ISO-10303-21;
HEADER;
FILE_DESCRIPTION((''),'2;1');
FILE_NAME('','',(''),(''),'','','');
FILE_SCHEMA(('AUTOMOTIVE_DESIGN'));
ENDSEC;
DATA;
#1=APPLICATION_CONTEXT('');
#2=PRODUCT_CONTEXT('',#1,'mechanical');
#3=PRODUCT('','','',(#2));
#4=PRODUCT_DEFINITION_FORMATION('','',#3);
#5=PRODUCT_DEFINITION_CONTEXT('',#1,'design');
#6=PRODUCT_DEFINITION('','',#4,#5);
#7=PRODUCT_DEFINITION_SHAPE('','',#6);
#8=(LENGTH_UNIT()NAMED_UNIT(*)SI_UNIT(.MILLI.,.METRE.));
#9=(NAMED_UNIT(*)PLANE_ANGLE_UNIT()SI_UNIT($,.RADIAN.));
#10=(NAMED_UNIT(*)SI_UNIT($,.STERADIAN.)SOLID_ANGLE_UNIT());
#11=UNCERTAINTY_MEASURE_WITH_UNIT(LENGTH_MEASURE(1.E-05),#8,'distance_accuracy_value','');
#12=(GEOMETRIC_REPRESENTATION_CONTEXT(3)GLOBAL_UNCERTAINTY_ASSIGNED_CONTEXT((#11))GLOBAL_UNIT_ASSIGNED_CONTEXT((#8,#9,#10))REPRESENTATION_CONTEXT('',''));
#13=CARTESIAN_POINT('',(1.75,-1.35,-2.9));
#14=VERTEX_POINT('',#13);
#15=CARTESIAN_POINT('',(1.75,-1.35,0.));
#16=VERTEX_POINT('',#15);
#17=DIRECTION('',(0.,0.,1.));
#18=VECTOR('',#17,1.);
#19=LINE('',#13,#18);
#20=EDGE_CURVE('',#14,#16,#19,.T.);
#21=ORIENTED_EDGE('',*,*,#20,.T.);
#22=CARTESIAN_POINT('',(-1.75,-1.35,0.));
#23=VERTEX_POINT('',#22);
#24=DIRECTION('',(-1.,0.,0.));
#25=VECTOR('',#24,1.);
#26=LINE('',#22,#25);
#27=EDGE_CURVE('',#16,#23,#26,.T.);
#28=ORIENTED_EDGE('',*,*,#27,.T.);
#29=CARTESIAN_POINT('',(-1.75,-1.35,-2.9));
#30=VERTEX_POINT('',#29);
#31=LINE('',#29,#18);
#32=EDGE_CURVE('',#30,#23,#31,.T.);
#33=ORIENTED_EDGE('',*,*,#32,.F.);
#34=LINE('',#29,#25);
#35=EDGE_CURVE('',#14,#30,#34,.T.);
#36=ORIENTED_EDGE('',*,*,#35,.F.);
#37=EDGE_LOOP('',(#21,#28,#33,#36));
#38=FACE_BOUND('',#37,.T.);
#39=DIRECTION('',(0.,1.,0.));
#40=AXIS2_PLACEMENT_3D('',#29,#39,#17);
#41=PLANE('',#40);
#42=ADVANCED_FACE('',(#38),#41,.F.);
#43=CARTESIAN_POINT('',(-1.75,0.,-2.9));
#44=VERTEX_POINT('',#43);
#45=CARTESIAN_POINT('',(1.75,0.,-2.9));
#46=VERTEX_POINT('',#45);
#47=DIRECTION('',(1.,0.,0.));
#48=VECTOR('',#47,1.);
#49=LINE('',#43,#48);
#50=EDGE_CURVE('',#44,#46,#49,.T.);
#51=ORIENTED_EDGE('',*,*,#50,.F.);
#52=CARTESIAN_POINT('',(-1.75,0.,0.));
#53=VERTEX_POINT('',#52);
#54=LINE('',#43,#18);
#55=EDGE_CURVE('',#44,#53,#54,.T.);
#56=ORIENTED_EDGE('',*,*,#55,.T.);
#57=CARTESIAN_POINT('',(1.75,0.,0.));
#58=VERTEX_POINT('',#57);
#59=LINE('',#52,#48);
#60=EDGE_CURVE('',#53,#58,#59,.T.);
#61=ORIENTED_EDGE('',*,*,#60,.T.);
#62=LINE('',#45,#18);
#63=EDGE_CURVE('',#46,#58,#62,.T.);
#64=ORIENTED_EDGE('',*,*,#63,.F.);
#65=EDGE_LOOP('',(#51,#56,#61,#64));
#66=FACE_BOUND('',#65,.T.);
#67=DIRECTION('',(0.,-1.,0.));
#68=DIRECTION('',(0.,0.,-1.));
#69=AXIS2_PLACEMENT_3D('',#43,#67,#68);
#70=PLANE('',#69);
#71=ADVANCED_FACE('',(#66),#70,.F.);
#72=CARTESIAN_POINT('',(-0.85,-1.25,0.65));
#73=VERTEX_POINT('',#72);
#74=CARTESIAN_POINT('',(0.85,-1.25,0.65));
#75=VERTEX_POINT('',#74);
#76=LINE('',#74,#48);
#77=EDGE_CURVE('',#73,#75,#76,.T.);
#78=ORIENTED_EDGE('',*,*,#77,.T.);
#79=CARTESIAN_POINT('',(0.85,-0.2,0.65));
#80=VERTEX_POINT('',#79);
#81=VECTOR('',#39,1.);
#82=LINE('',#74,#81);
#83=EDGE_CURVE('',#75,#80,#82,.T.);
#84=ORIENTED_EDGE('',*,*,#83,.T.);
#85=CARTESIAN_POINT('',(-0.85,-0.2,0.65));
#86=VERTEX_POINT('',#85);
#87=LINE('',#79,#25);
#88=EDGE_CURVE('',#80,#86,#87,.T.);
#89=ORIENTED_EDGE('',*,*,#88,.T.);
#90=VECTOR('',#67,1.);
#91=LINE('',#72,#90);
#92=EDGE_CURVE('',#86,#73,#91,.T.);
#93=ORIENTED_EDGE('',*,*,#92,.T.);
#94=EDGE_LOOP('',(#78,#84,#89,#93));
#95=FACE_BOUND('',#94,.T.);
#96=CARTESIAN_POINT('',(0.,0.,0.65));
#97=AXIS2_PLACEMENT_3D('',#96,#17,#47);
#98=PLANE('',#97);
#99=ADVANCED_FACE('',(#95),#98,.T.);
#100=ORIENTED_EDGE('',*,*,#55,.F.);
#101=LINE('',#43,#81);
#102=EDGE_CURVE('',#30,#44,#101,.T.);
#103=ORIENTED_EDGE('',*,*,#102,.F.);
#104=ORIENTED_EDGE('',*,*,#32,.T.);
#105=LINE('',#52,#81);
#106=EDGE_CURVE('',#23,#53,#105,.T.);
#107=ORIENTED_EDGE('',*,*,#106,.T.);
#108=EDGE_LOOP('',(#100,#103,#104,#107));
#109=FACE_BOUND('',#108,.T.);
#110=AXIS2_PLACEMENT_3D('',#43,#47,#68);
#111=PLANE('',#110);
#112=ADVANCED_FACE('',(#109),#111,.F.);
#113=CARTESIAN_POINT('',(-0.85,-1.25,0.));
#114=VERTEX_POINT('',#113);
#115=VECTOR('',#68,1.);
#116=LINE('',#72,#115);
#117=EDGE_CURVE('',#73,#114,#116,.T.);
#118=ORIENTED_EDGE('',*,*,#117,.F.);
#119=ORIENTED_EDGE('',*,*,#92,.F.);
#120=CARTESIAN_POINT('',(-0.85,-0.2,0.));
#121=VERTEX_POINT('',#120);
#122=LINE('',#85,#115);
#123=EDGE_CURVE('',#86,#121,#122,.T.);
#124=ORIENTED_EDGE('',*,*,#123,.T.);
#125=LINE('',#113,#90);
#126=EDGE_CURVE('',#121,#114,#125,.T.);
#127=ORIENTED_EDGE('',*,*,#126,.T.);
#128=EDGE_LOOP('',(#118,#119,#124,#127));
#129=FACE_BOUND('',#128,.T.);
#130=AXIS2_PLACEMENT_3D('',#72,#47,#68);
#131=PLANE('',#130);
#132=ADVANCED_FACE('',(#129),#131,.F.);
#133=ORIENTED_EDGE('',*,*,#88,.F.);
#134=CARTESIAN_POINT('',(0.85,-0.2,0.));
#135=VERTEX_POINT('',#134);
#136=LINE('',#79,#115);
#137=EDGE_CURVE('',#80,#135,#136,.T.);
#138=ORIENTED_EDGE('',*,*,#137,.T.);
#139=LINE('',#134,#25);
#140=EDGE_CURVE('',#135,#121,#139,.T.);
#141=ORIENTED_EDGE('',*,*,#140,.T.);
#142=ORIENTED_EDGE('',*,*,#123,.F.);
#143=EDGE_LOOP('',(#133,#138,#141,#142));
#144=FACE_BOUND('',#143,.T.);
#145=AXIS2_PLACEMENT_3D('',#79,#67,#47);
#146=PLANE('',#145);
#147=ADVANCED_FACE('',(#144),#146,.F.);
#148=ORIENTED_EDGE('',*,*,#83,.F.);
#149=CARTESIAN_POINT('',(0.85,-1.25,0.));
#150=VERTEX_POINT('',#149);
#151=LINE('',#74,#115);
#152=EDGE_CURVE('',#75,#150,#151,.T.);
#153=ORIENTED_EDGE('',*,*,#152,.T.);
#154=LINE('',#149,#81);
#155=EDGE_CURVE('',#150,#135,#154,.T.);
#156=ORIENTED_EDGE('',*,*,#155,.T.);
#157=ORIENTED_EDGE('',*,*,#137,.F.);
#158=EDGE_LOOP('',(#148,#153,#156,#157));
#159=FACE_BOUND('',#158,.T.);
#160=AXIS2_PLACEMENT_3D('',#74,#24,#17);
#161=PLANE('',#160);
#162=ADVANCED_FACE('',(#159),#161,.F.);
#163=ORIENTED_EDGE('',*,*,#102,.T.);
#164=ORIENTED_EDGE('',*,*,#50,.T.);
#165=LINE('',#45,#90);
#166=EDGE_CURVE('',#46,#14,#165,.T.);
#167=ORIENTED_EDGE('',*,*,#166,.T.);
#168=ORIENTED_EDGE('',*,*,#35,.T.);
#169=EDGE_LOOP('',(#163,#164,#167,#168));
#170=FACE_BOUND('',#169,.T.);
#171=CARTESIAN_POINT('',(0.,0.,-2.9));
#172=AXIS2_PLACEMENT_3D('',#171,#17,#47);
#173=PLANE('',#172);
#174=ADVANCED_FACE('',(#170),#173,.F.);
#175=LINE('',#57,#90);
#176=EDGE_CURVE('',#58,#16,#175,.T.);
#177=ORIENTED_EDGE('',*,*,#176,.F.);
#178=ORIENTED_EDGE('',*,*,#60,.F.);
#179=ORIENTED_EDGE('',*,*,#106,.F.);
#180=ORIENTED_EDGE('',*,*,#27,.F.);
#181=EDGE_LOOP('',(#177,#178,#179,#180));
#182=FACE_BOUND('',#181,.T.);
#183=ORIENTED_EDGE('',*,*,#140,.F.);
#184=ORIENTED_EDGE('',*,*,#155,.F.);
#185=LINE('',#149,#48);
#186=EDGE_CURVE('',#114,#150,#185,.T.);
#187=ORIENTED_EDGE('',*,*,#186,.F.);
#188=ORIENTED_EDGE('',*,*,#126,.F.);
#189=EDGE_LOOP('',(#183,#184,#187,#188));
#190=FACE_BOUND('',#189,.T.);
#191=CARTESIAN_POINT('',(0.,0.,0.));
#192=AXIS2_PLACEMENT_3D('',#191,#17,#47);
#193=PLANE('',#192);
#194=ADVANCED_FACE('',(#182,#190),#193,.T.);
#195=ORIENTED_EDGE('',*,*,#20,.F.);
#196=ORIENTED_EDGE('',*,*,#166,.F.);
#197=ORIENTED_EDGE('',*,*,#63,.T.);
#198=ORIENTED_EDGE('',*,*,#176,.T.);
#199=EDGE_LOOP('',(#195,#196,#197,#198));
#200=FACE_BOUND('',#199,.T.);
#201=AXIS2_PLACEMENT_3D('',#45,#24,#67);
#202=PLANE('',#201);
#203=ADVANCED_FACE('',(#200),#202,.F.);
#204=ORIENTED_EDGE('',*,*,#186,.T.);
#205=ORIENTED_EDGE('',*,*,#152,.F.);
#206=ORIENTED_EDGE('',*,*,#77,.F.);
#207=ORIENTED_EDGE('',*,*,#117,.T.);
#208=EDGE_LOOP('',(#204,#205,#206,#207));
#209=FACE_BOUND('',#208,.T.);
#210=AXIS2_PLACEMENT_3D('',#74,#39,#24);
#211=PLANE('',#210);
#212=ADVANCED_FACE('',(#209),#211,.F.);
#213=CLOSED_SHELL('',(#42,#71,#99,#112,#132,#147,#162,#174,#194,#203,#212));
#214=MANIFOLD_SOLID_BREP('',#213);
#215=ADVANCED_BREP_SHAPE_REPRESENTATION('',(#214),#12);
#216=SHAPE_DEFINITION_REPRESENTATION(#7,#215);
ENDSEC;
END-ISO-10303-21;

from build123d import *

# Parameters (mm, degrees)
SKETCH1_W           = 3.5
SKETCH1_H           = 1.35
BOSS_EXTRUDE1_DEPTH = 2.9
SKETCH2_W           = 1.7
SKETCH2_H           = 1.05
BOSS_EXTRUDE2_DEPTH = 0.65


with BuildPart() as part:
    # Sketch1 → Boss-Extrude1 (new body)
    with BuildSketch(Plane(origin=(0, 0, 0), x_dir=(1, 0, 0), z_dir=(0, 0, -1))):
        with Locations((0, 0.675)):
            Rectangle(SKETCH1_W, SKETCH1_H)
    extrude(amount=BOSS_EXTRUDE1_DEPTH)

    # Sketch2 → Boss-Extrude2 (add)
    with BuildSketch(Plane.XY):
        with Locations((0, -0.725)):
            Rectangle(SKETCH2_W, SKETCH2_H)
    extrude(amount=BOSS_EXTRUDE2_DEPTH)


solid = part.part
